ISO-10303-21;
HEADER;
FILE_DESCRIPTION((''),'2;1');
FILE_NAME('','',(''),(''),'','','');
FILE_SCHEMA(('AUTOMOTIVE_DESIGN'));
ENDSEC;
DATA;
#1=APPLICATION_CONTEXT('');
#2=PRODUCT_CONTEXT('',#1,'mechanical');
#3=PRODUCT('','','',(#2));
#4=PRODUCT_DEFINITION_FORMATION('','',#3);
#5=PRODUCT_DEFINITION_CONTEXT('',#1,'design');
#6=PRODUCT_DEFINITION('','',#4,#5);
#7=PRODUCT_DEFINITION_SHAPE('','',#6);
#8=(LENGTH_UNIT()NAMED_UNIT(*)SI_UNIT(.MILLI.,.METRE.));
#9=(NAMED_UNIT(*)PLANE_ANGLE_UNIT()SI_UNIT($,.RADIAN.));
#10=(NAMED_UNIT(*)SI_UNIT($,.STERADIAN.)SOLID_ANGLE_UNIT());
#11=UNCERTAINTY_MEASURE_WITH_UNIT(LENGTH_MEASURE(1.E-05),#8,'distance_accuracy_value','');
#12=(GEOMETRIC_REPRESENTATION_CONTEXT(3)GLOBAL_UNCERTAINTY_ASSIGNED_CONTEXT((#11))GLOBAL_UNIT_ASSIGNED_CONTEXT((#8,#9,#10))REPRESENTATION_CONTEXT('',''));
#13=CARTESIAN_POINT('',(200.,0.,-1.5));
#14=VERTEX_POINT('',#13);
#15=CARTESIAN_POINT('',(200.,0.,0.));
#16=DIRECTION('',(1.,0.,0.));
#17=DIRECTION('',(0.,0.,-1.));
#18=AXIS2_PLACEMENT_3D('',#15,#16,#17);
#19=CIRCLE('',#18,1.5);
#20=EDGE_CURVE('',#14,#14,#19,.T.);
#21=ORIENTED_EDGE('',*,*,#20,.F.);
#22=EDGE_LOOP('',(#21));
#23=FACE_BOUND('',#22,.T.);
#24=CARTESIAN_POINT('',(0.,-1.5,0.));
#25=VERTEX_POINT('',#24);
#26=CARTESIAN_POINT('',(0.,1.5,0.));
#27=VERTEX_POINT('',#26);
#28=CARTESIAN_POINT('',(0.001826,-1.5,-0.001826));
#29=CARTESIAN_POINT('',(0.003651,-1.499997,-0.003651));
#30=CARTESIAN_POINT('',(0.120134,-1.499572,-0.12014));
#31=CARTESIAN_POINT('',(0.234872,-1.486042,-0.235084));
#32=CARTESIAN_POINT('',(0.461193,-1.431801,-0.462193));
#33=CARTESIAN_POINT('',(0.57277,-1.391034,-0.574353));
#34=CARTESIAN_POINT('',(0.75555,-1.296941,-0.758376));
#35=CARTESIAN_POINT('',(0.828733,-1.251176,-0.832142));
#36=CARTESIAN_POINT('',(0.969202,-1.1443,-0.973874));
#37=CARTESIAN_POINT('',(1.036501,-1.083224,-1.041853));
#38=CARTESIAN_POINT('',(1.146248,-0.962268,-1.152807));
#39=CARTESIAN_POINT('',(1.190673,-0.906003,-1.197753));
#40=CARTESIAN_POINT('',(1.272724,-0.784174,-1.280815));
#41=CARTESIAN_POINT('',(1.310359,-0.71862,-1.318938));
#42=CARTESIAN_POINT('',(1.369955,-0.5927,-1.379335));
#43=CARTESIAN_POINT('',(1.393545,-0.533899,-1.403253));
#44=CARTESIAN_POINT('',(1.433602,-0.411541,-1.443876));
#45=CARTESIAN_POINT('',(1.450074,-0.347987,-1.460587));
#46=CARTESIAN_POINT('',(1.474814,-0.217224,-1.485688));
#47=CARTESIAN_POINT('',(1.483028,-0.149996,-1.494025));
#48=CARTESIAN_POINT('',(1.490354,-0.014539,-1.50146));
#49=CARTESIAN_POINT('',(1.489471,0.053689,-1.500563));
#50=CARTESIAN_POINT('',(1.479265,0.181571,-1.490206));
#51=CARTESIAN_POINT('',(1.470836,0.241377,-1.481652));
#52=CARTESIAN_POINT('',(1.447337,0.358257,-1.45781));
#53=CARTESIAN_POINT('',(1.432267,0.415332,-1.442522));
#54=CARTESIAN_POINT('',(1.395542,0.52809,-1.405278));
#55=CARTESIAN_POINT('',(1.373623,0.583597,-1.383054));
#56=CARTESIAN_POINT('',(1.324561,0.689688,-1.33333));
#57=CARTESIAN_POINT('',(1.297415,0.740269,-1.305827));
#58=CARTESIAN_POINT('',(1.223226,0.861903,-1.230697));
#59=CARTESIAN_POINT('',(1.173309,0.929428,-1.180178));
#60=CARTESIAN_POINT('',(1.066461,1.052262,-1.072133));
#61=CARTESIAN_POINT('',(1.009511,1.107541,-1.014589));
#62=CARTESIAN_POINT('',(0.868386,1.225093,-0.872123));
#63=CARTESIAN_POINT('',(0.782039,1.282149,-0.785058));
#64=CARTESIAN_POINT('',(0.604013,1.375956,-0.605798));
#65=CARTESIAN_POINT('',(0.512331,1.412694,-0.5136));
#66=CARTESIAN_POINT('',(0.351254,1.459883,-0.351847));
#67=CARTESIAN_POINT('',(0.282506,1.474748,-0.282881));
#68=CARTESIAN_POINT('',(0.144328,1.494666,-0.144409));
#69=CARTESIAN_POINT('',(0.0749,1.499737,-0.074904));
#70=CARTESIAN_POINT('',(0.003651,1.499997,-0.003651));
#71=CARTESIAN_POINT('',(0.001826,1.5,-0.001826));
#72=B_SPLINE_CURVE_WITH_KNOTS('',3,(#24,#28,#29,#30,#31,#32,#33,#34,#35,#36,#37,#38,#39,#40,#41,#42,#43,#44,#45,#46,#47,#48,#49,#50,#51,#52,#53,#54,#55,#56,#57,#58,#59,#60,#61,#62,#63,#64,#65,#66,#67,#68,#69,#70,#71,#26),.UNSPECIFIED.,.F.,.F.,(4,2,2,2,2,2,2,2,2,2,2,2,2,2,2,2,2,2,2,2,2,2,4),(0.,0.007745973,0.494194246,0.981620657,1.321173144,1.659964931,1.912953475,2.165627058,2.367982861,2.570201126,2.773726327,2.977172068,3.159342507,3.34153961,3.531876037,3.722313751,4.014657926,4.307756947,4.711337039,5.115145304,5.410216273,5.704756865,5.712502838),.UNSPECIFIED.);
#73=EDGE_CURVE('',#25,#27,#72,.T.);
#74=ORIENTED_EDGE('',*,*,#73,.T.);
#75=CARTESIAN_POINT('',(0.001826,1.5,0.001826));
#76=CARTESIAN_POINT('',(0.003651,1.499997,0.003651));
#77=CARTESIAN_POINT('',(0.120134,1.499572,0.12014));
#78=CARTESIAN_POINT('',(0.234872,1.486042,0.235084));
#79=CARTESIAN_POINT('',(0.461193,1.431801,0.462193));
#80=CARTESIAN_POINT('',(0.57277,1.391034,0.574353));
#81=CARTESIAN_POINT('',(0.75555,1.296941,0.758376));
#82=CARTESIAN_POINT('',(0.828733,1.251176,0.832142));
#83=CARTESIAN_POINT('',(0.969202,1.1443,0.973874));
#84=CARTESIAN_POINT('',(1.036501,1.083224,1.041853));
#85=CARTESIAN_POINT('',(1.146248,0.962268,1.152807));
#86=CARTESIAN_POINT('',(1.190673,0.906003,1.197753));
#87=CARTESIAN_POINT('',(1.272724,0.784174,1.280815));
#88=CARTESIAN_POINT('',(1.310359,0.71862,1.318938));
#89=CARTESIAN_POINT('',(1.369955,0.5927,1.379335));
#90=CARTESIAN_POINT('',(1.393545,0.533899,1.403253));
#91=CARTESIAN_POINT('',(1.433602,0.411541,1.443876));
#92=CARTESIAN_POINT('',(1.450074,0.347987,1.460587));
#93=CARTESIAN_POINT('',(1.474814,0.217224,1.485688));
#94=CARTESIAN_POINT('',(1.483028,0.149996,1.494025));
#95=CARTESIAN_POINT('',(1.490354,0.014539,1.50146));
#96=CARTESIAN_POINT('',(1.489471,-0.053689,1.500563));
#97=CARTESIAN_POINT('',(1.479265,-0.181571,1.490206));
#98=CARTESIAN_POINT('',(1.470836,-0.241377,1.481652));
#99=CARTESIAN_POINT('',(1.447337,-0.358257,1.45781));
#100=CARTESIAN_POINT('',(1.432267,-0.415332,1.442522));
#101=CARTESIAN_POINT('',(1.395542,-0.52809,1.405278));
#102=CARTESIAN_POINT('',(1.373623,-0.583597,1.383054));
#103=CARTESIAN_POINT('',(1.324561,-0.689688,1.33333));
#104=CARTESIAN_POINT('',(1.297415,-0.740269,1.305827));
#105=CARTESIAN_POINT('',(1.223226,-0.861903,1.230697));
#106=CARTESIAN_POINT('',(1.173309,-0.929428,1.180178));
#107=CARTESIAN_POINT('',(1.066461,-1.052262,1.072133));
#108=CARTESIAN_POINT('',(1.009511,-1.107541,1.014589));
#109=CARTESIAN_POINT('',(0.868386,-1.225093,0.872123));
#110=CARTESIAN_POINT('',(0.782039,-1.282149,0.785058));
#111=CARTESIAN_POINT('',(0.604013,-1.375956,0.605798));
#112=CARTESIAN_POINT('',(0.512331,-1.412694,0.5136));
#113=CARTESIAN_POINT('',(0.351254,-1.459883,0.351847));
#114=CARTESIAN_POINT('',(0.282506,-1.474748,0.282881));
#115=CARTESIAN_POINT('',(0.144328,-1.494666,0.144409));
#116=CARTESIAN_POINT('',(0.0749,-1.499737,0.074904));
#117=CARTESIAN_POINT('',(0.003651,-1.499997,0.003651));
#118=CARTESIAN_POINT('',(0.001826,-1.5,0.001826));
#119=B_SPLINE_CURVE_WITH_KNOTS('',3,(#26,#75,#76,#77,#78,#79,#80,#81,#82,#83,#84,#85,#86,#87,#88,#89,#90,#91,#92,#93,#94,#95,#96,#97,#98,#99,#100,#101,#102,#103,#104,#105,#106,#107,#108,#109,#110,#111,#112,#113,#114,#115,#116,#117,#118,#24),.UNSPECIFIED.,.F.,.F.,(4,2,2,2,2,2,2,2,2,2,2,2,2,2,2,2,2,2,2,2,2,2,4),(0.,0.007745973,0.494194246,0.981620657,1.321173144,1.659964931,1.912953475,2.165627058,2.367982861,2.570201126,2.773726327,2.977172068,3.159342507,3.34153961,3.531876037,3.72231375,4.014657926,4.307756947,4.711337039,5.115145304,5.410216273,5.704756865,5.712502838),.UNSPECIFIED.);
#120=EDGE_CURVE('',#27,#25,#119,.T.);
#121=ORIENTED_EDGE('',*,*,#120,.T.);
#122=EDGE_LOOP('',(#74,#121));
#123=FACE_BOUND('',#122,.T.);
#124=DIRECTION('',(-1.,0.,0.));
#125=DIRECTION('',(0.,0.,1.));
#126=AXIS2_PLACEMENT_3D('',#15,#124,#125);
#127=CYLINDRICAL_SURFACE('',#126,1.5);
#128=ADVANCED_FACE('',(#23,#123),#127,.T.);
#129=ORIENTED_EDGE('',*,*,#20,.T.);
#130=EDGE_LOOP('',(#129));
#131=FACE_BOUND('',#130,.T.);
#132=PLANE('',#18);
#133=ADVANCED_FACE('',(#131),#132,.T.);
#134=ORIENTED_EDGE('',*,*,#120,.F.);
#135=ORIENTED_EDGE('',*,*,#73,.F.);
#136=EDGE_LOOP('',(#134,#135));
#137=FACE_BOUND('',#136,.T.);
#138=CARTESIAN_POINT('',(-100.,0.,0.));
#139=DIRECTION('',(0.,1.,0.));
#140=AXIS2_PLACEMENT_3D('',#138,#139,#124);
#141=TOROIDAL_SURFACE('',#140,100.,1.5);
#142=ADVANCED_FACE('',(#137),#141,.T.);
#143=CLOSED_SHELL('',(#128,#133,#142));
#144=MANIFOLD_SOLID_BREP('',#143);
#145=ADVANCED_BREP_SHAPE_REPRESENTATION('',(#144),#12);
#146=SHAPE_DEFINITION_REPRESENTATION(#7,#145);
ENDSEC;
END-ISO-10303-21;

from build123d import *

# Parameters (mm, degrees)
SKETCH_1_R      = 1.5
SKETCH_2_R      = 1.5
EXTRUDE_1_DEPTH = 200


with BuildPart() as part:
    # ｽｹｯﾁ1 → 回転1 (revolve)
    with BuildSketch(Plane.XY, mode=Mode.PRIVATE) as revolve_1_sk:
        Circle(SKETCH_1_R)
    revolve(revolve_1_sk.sketch.rotate(Axis((-100, 40.172248655, 0), (0, -1, 0)), 180), axis=Axis((-100, 40.172248655, 0), (0, -1, 0)))

    # ｽｹｯﾁ2 → ﾎﾞｽ - 押し出し1 (add)
    with BuildSketch(Plane(origin=(0, 0, 0), x_dir=(0, 0, -1), z_dir=(1, 0, 0))):
        with Locations(Location((0, 0, 0), (0, 0, 90))):
            Circle(SKETCH_2_R)
    extrude(amount=EXTRUDE_1_DEPTH)


solid = part.part
